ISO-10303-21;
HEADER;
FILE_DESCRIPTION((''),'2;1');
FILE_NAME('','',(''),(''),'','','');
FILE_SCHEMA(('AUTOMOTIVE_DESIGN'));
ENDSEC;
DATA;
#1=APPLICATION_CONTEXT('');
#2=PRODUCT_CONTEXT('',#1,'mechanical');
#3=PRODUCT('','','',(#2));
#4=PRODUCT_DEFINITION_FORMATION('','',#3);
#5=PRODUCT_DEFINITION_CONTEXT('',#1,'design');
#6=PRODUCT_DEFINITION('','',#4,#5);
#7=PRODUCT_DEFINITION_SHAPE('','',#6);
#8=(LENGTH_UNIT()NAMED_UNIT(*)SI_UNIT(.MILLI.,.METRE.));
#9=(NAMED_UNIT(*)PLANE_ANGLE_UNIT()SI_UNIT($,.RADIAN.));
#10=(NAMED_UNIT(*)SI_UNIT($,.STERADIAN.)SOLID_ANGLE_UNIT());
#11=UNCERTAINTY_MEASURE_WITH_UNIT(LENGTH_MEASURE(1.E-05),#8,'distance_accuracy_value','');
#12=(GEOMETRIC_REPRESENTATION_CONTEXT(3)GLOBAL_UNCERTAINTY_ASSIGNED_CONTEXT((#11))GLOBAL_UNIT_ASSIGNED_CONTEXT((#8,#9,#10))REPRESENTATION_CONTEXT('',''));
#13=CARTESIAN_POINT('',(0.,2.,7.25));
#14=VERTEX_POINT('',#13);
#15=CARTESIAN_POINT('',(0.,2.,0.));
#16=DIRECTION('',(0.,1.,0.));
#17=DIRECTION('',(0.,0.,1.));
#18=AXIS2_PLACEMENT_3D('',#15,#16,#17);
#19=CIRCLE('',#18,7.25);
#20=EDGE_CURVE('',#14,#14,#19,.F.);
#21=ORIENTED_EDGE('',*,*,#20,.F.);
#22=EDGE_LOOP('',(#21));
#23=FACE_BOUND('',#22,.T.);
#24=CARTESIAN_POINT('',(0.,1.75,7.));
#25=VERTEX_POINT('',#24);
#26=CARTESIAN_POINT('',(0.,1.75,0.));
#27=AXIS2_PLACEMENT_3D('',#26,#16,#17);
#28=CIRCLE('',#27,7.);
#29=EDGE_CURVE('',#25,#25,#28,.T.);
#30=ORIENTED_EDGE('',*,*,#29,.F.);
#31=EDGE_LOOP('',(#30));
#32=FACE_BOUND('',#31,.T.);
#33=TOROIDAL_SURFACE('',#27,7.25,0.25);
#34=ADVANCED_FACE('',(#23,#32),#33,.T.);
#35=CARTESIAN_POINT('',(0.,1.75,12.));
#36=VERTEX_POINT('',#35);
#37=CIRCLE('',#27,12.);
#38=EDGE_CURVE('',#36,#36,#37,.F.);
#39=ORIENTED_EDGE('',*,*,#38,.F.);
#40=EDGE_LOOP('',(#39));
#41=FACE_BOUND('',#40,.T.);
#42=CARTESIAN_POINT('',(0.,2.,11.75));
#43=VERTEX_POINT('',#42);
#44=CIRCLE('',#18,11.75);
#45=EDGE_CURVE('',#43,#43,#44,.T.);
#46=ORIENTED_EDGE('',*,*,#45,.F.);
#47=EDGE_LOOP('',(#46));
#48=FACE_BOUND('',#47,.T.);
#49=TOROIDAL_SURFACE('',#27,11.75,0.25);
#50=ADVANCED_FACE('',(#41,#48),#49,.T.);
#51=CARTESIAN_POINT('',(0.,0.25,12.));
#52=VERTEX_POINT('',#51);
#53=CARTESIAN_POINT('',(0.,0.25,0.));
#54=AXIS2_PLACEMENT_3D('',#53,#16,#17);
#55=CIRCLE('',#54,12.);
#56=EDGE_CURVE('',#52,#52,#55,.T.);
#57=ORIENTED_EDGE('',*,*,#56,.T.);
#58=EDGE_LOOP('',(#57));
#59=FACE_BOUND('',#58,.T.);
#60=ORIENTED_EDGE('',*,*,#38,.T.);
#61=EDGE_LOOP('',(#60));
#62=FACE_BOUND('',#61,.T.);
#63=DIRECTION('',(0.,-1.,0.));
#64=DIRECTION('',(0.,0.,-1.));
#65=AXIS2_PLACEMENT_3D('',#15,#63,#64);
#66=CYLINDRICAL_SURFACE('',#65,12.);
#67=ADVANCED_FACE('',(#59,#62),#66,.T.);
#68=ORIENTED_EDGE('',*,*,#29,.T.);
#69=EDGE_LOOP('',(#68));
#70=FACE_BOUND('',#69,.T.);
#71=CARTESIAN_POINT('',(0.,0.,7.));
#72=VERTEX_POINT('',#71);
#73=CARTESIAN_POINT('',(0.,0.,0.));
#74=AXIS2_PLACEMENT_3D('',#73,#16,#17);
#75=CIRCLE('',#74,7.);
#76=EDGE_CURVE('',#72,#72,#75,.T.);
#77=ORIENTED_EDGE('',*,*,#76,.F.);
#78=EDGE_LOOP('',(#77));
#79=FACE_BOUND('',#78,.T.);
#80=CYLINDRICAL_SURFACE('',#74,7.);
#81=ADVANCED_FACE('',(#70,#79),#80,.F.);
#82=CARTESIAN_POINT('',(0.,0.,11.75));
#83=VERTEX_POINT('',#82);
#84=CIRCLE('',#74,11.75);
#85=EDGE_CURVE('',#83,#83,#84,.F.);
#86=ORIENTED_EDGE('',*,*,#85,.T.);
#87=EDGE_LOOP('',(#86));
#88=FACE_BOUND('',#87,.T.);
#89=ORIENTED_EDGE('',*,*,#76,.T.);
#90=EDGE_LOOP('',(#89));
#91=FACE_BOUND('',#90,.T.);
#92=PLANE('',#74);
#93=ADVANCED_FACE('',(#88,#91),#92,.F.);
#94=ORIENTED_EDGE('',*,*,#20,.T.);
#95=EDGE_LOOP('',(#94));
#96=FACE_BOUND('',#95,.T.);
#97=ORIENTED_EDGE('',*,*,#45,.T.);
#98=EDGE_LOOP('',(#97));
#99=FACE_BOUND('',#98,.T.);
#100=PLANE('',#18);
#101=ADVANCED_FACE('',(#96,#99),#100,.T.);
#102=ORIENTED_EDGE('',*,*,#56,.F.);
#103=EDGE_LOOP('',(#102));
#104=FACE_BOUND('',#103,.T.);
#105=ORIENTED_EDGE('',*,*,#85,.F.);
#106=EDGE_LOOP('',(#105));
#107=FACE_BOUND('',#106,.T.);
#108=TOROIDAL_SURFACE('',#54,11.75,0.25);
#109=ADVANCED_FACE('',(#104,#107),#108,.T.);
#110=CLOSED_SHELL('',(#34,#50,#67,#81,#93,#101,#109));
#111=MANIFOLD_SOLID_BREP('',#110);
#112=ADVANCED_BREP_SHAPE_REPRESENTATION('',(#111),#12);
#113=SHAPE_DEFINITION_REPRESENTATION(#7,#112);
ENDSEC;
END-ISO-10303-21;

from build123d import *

# Parameters (mm, degrees)
SKETCH1_R           = 12
BOSS_EXTRUDE1_DEPTH = 2
SKETCH2_R           = 7
CUT_EXTRUDE1_DEPTH  = 18.088007491
FILLET1_R           = 0.25


with BuildPart() as part:
    # Sketch1 → Boss-Extrude1 (new body)
    with BuildSketch(Plane(origin=(0, 0, 0), x_dir=(1, 0, 0), z_dir=(0, 1, 0))):
        with Locations(Location((0, 0, 0), (0, 0, 270))):
            Circle(SKETCH1_R)
    extrude(amount=BOSS_EXTRUDE1_DEPTH)

    # Sketch2 → Cut-Extrude1 (cut, through all)
    with BuildSketch(Plane(origin=(0, 2, 0), x_dir=(1, 0, 0), z_dir=(0, 1, 0))):
        with Locations(Location((0, 0, 0), (0, 0, 270))):
            Circle(SKETCH2_R)
    extrude(amount=-CUT_EXTRUDE1_DEPTH, mode=Mode.SUBTRACT)

    # Fillet1
    fillet1_edges = [part.edges().sort_by_distance(p)[0] for p in [
        (0, 0, -12),
        (0, 2, -12),
        (0, 2, -7),
    ]]
    fillet(fillet1_edges, radius=FILLET1_R)


solid = part.part
